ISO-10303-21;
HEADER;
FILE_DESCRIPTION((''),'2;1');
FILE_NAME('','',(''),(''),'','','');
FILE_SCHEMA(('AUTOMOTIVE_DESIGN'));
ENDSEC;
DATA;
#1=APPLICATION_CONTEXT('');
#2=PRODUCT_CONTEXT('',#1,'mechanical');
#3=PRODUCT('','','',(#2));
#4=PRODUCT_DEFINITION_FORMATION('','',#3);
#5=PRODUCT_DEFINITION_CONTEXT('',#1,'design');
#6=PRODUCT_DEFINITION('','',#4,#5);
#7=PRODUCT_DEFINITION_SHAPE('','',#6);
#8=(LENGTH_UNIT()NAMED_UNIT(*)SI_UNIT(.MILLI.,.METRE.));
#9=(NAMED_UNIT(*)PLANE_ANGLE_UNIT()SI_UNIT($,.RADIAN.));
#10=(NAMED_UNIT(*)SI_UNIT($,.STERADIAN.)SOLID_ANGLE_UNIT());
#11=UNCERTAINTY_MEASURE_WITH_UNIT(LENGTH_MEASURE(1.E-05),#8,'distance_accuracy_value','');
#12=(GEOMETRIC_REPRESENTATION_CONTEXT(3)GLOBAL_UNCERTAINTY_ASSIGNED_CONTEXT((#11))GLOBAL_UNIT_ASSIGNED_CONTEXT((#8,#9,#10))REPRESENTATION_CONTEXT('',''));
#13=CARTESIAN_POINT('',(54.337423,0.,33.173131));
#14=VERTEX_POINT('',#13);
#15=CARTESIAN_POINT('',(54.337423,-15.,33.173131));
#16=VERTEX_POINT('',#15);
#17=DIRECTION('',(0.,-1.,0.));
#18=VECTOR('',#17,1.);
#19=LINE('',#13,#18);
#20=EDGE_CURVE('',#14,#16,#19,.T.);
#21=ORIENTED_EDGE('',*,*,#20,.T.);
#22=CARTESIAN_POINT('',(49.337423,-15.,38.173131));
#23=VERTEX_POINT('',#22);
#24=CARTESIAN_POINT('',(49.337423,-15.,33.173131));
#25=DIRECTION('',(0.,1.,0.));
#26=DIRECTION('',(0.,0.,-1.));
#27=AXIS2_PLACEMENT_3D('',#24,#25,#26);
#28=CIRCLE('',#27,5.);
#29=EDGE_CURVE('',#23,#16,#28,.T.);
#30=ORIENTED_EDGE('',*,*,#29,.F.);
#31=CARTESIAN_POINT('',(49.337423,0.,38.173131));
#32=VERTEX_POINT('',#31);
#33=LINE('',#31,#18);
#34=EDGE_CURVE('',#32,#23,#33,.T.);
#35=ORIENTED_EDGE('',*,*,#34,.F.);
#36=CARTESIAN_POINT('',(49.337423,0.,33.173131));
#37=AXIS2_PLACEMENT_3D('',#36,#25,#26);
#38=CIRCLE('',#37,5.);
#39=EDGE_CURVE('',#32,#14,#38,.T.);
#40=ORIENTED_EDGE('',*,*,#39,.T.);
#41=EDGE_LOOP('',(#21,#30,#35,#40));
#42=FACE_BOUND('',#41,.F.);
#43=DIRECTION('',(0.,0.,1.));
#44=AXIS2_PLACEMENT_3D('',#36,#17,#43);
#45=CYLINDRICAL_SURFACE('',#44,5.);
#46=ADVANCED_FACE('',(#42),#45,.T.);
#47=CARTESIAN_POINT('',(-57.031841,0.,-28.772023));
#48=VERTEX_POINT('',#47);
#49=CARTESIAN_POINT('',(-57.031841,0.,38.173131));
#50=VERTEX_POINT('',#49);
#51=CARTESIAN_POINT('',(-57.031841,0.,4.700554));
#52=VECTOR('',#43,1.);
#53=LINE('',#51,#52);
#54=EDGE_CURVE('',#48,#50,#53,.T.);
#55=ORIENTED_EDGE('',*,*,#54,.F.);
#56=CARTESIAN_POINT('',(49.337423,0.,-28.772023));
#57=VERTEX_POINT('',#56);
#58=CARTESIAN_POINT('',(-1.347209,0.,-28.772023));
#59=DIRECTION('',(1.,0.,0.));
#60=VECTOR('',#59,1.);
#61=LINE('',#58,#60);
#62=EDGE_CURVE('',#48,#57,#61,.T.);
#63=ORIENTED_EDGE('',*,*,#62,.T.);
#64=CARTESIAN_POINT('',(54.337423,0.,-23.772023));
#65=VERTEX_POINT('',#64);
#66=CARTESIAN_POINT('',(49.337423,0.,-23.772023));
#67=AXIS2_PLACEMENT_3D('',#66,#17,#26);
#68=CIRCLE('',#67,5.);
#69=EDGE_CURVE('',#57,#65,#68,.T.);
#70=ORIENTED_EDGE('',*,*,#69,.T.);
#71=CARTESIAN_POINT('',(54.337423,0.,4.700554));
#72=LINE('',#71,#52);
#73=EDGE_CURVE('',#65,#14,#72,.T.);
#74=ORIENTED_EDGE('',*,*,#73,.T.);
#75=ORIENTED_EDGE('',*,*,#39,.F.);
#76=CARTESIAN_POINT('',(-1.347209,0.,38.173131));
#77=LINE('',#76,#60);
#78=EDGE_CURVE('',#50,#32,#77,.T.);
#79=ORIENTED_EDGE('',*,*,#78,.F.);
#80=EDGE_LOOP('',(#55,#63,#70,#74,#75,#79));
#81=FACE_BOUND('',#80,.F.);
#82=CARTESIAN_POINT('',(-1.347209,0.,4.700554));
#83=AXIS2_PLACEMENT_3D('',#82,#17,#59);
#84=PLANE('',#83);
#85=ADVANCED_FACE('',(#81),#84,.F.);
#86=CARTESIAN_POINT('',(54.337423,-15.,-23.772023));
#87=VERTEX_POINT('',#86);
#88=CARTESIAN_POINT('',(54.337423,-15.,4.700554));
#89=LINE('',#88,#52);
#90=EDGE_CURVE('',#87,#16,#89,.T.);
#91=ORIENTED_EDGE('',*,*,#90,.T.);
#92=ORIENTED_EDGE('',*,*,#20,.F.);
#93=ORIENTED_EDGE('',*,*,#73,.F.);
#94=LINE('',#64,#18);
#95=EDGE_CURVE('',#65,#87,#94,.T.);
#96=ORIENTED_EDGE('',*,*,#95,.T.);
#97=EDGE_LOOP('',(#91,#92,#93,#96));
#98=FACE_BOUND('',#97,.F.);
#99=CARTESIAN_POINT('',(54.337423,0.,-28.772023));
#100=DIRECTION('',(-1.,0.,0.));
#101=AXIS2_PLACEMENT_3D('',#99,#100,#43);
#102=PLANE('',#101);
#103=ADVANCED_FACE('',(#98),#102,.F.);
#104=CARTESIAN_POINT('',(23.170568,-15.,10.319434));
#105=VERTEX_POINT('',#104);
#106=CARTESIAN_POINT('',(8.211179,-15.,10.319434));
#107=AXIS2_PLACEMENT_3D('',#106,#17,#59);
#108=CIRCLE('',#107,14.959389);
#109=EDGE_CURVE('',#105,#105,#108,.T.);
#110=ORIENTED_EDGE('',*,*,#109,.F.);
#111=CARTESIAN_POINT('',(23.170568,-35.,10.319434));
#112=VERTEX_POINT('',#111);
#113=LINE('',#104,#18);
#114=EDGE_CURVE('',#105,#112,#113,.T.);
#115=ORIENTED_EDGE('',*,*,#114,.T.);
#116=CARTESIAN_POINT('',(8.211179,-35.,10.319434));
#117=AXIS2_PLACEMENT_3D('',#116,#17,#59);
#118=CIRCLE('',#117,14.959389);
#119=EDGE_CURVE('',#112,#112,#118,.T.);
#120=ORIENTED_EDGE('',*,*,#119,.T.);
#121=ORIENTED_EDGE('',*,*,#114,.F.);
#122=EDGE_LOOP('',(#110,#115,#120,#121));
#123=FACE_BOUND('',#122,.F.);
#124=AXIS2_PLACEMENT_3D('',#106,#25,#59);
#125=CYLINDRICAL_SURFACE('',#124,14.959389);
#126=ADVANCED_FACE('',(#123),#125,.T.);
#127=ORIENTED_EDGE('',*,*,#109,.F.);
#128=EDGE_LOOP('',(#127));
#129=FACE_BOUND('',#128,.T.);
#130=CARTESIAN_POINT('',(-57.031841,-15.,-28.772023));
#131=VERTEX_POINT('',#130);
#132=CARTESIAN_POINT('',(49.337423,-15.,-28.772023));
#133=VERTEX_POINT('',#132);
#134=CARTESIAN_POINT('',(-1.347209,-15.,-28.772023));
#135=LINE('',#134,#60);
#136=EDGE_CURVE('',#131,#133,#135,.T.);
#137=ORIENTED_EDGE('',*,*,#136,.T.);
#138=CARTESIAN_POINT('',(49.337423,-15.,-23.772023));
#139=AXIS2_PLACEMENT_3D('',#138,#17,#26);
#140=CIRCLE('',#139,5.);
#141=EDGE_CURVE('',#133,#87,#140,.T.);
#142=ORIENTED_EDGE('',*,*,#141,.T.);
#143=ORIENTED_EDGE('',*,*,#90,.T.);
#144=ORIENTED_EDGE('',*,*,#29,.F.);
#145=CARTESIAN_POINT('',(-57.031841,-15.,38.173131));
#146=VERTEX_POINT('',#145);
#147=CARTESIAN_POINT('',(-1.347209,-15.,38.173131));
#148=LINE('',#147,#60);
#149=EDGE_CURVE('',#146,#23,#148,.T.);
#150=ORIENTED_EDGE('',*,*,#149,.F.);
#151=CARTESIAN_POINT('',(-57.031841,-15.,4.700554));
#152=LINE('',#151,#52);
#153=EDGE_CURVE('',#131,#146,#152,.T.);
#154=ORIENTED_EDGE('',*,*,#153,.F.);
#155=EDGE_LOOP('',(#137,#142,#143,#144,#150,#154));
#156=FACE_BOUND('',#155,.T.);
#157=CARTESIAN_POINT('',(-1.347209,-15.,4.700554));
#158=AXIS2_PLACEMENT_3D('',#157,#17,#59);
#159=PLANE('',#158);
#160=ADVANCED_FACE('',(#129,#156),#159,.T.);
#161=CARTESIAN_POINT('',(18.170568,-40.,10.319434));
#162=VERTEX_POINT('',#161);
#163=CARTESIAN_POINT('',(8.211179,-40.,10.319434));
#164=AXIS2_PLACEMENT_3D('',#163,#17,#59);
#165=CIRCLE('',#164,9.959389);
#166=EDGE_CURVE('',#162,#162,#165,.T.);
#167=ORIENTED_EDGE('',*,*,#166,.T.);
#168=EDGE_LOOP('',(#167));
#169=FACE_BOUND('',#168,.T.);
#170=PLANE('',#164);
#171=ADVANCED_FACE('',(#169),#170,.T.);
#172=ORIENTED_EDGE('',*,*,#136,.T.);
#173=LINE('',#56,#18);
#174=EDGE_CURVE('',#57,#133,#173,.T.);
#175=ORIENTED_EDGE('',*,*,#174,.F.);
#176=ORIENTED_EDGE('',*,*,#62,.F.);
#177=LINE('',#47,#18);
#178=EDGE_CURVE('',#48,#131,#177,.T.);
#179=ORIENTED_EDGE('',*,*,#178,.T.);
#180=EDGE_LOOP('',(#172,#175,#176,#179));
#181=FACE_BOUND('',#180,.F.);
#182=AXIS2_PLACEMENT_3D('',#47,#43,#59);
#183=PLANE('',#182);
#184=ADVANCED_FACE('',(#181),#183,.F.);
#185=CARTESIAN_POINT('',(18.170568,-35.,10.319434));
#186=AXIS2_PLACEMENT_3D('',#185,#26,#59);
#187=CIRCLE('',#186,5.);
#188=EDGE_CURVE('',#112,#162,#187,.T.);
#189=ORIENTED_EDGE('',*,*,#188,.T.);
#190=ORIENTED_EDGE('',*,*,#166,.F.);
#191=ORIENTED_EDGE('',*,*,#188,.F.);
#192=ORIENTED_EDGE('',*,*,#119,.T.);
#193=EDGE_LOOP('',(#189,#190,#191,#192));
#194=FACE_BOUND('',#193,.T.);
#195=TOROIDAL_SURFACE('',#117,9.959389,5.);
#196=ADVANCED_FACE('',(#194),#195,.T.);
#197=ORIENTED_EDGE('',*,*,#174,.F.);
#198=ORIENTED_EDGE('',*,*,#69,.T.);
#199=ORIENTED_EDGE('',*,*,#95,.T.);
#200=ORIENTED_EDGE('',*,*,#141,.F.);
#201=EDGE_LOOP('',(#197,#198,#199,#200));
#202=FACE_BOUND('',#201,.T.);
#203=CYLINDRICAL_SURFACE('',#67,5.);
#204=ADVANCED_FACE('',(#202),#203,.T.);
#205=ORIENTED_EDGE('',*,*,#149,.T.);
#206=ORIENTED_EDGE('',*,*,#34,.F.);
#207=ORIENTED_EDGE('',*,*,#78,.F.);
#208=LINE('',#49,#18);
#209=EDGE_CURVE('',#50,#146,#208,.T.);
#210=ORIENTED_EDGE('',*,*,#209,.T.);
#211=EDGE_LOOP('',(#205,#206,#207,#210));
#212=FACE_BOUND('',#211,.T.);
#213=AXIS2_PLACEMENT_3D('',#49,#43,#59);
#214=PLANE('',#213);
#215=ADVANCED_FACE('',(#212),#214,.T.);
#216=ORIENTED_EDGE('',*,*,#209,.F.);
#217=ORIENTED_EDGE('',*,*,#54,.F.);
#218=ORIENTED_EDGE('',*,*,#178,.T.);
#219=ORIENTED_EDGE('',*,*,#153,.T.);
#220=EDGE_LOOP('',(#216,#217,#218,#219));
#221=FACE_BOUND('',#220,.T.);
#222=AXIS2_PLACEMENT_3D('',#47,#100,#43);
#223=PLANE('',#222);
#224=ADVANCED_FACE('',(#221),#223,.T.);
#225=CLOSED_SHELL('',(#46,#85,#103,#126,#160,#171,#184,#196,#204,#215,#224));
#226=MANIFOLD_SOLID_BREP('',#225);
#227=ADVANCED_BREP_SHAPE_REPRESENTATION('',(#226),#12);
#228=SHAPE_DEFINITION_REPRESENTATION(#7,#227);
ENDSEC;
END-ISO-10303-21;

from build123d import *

# Parameters (mm, degrees)
F0_W     = 111.369263
F0_H     = 66.945155
F1_DEPTH = 15
F2_R     = 14.959389
F3_DEPTH = 25
F4_R     = 5


with BuildPart() as f1:
    # F0 (on Front) → F1 (new body)
    with BuildSketch(Plane.XZ):
        with Locations((-1.347209, 4.700554)):
            Rectangle(F0_W, F0_H)
    extrude(amount=F1_DEPTH)

    # F2 (on face) → F3 (join)
    with BuildSketch(Plane.XZ.offset(15)):
        with Locations((8.211179, 10.319434)):
            Circle(F2_R)
    extrude(amount=F3_DEPTH)

    # F4
    f4_edges = [f1.edges().sort_by_distance(p)[0] for p in [
        (54.337423, -7.5, 38.173132),
        (54.337423, -7.5, -28.772023),
        (-6.74821, -40, 10.319434),
    ]]
    fillet(f4_edges, radius=F4_R)


solid = f1.part
